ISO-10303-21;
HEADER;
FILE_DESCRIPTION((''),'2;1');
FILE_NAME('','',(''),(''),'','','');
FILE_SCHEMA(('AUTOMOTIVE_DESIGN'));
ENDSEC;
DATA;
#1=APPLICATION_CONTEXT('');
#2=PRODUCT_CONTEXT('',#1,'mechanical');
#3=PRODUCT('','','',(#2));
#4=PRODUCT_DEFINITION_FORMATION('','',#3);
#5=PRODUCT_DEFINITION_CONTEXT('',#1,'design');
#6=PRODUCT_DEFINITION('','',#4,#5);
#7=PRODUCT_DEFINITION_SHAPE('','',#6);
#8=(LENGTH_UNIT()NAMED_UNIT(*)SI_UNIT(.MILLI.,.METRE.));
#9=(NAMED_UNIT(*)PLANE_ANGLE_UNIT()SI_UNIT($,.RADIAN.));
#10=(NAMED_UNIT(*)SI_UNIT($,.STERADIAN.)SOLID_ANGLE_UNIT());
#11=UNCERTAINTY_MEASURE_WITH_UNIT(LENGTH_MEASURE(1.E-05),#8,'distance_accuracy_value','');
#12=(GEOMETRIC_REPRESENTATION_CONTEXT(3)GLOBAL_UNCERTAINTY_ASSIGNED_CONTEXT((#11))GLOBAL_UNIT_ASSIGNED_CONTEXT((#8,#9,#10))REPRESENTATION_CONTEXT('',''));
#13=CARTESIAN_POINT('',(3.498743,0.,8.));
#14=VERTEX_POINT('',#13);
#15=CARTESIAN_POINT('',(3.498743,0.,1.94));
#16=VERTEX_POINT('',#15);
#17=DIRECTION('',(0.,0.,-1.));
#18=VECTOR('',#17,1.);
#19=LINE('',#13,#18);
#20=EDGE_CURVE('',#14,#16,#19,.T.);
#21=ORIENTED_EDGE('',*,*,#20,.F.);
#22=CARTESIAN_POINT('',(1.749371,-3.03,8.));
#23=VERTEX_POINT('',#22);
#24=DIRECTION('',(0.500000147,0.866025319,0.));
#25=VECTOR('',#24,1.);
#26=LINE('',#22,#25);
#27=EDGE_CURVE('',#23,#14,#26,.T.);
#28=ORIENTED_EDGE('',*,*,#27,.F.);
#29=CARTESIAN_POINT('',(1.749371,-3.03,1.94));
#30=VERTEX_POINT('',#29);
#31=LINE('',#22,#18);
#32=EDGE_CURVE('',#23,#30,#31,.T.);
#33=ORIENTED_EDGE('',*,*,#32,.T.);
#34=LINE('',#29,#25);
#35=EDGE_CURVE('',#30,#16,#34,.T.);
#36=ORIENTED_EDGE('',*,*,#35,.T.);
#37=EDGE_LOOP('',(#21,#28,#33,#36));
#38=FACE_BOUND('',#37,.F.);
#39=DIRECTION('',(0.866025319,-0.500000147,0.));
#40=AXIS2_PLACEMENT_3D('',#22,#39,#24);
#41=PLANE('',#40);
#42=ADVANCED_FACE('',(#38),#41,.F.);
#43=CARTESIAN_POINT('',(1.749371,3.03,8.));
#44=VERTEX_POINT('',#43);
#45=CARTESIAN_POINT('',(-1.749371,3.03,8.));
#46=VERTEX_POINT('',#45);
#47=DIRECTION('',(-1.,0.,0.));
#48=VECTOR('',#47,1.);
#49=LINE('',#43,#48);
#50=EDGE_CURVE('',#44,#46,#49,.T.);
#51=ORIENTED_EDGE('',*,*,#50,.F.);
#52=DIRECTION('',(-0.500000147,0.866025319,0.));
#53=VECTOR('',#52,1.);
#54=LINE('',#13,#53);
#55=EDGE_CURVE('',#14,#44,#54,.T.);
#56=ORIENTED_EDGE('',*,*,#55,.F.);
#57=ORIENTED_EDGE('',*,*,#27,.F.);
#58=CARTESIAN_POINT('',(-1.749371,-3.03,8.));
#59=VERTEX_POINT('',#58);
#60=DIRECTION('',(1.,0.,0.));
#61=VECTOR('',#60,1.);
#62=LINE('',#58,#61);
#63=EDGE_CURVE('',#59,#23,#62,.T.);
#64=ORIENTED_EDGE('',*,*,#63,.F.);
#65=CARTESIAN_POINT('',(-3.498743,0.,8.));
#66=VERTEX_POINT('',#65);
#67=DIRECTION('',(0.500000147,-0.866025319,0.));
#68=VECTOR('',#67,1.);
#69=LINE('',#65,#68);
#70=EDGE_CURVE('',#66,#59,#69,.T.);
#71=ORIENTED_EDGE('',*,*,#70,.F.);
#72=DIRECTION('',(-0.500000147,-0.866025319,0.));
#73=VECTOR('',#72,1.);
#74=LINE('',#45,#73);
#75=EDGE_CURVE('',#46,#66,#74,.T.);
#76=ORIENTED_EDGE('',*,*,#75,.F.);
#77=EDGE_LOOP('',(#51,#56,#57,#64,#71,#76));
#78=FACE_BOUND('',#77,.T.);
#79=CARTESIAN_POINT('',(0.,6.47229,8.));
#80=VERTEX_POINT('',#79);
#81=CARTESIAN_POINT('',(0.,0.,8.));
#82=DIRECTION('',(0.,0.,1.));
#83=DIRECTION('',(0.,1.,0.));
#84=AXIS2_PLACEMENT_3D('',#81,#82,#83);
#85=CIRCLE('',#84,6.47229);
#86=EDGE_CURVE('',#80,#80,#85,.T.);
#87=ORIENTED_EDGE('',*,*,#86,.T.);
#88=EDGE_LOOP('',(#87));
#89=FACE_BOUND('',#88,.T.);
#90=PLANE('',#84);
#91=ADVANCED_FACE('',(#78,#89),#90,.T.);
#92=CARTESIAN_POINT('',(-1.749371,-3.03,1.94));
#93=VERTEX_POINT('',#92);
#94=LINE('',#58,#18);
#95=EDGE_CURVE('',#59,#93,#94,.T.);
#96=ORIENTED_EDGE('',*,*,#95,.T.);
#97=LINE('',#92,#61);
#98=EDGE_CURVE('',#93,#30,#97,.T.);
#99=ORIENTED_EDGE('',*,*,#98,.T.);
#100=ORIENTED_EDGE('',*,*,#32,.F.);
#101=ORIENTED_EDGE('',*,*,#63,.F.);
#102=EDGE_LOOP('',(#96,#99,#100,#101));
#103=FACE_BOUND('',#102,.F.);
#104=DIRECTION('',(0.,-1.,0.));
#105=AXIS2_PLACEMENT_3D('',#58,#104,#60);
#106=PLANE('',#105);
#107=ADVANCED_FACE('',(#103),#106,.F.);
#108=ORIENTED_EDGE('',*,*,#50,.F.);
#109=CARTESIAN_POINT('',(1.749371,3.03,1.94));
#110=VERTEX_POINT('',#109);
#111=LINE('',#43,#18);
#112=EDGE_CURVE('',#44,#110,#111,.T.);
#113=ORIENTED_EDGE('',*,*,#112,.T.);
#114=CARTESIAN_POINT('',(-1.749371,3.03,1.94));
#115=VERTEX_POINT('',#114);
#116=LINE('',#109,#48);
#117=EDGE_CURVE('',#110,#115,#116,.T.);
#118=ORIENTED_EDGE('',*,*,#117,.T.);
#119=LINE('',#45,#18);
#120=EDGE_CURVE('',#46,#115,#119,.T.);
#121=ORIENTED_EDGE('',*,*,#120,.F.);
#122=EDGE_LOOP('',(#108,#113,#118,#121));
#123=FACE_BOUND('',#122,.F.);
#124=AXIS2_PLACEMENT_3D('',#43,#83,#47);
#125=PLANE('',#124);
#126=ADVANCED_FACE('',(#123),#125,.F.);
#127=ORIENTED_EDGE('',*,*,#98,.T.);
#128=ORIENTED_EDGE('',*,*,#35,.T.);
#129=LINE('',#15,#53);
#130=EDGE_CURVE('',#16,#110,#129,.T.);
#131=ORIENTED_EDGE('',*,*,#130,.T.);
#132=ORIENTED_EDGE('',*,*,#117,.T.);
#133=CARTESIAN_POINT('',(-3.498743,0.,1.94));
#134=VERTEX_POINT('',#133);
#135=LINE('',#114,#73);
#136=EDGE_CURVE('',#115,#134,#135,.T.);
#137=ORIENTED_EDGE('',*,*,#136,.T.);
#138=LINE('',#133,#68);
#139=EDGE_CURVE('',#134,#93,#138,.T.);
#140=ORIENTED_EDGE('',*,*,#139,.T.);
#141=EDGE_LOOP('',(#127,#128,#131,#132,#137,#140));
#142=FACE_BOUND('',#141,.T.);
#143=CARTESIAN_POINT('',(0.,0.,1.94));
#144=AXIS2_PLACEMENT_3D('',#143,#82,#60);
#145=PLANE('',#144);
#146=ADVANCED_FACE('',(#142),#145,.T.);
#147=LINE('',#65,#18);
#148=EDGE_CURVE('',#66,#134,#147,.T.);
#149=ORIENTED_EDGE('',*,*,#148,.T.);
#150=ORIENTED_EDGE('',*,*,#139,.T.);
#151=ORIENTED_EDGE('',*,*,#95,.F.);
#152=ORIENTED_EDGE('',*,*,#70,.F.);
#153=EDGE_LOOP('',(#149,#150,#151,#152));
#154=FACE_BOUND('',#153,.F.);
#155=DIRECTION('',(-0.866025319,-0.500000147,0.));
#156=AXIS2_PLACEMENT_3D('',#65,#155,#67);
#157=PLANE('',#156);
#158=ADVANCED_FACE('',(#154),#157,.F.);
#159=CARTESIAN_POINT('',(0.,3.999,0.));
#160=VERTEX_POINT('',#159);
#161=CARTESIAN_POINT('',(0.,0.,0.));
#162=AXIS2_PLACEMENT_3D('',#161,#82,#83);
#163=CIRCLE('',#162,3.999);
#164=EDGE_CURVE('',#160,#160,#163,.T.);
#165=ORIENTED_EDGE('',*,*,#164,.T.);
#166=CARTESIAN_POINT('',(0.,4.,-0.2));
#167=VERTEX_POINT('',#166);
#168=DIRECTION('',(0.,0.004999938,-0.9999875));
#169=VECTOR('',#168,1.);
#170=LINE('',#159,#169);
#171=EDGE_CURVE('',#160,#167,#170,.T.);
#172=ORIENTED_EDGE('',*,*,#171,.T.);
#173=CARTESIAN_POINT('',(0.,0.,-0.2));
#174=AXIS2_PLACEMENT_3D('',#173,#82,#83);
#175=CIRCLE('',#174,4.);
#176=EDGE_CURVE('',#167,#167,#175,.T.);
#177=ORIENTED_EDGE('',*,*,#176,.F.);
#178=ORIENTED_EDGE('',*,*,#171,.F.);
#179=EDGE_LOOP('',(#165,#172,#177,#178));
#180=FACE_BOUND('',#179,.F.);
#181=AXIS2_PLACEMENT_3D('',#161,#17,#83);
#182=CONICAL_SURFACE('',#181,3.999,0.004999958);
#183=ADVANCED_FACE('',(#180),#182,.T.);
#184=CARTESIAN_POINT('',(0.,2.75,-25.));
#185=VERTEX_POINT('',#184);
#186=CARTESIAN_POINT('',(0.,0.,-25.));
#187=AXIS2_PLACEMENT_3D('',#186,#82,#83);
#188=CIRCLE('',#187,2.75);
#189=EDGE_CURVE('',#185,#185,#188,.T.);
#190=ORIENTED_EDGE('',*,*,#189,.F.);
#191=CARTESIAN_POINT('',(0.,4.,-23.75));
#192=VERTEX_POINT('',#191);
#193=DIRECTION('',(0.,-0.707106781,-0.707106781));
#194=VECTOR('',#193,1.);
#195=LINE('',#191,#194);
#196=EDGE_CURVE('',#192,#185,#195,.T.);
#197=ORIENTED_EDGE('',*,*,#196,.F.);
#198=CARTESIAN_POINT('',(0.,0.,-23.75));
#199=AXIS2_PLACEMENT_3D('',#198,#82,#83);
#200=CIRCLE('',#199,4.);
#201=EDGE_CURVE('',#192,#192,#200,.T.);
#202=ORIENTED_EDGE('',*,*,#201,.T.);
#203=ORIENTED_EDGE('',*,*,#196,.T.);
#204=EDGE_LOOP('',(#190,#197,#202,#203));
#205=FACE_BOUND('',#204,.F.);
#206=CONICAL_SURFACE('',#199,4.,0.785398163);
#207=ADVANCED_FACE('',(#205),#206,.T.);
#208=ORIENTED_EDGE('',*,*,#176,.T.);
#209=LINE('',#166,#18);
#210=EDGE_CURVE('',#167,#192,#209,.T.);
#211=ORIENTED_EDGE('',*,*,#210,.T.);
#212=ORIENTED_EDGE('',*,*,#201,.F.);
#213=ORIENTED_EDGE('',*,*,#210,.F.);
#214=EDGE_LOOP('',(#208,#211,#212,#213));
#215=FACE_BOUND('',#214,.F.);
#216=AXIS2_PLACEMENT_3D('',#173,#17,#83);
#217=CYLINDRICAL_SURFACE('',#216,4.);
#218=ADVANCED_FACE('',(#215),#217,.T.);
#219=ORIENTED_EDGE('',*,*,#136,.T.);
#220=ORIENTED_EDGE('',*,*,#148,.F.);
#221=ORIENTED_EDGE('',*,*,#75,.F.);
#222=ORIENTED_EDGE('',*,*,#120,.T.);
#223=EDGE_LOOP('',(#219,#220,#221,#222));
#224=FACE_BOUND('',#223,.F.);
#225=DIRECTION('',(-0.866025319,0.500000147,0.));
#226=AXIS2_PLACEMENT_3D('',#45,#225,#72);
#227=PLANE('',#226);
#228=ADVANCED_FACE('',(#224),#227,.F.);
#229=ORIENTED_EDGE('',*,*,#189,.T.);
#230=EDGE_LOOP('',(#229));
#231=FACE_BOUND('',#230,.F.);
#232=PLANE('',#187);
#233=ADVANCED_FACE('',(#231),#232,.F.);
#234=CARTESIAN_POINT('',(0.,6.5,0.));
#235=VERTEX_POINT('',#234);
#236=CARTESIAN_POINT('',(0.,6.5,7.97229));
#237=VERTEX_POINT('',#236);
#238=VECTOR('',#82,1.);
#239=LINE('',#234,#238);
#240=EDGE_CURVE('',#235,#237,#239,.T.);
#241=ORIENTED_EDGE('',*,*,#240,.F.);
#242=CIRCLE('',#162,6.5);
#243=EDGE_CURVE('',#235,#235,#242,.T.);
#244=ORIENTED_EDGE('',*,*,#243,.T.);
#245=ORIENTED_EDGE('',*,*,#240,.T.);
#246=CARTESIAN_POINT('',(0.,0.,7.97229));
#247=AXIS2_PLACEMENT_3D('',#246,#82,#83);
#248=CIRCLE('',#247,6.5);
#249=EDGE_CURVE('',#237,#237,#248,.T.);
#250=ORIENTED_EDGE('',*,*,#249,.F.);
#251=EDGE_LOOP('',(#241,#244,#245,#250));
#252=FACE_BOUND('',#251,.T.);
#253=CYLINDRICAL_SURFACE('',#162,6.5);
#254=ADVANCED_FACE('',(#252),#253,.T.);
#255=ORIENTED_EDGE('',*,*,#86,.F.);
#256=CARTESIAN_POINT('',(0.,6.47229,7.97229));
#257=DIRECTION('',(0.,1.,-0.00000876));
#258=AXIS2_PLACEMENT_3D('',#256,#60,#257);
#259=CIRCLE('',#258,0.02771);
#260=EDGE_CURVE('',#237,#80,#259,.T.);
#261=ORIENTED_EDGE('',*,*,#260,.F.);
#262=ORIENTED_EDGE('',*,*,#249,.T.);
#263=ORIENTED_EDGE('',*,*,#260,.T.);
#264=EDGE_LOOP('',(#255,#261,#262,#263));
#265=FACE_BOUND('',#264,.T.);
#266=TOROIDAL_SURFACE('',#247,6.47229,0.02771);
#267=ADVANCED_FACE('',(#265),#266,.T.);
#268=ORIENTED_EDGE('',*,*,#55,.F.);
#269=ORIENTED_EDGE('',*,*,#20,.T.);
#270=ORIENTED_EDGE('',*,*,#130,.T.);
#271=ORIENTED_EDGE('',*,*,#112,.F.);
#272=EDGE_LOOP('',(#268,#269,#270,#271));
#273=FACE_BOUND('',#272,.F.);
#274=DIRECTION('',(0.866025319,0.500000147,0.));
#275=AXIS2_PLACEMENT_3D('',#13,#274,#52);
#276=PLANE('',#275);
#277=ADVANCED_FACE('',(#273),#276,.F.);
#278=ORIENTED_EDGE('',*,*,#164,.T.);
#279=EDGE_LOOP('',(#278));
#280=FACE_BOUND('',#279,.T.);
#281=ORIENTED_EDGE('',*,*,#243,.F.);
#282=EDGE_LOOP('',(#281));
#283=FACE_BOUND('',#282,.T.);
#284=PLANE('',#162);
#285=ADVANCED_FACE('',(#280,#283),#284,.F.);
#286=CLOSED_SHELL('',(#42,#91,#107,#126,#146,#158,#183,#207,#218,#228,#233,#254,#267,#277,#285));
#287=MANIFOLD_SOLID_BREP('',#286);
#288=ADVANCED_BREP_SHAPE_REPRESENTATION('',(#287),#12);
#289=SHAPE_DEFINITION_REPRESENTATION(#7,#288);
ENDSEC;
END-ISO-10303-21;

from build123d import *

# Parameters (mm, degrees)
POCKET_DEPTH = 6.06


with BuildPart() as part:
    # Sketch → Revolve (revolve)
    with BuildSketch(Plane.YZ):
        with BuildLine():
            Line((3.999, 0), (6.5, 0))
            Line((6.5, 0), (6.5, 7.97229))
            ThreePointArc((6.5, 7.97229), (6.491884, 7.991884), (6.47229, 8))
            Line((6.47229, 8), (0, 8))
            Line((0, -25), (0, 8))
            Line((2.75, -25), (0, -25))
            Line((4, -23.75), (2.75, -25))
            Line((4, -0.2), (4, -23.75))
            Line((3.999, 0), (4, -0.2))
        make_face()
    revolve(axis=Axis((0, 0, 0), (0, 0, 1)))

    # Sketch001 → Pocket (cut)
    with BuildSketch(Plane.XY.offset(8)):
        Polygon((3.498743, 0), (1.749371, 3.03), (-1.749371, 3.03), (-3.498743, 0), (-1.749371, -3.03), (1.749371, -3.03), align=None)
    extrude(amount=-POCKET_DEPTH, mode=Mode.SUBTRACT)


solid = part.part
